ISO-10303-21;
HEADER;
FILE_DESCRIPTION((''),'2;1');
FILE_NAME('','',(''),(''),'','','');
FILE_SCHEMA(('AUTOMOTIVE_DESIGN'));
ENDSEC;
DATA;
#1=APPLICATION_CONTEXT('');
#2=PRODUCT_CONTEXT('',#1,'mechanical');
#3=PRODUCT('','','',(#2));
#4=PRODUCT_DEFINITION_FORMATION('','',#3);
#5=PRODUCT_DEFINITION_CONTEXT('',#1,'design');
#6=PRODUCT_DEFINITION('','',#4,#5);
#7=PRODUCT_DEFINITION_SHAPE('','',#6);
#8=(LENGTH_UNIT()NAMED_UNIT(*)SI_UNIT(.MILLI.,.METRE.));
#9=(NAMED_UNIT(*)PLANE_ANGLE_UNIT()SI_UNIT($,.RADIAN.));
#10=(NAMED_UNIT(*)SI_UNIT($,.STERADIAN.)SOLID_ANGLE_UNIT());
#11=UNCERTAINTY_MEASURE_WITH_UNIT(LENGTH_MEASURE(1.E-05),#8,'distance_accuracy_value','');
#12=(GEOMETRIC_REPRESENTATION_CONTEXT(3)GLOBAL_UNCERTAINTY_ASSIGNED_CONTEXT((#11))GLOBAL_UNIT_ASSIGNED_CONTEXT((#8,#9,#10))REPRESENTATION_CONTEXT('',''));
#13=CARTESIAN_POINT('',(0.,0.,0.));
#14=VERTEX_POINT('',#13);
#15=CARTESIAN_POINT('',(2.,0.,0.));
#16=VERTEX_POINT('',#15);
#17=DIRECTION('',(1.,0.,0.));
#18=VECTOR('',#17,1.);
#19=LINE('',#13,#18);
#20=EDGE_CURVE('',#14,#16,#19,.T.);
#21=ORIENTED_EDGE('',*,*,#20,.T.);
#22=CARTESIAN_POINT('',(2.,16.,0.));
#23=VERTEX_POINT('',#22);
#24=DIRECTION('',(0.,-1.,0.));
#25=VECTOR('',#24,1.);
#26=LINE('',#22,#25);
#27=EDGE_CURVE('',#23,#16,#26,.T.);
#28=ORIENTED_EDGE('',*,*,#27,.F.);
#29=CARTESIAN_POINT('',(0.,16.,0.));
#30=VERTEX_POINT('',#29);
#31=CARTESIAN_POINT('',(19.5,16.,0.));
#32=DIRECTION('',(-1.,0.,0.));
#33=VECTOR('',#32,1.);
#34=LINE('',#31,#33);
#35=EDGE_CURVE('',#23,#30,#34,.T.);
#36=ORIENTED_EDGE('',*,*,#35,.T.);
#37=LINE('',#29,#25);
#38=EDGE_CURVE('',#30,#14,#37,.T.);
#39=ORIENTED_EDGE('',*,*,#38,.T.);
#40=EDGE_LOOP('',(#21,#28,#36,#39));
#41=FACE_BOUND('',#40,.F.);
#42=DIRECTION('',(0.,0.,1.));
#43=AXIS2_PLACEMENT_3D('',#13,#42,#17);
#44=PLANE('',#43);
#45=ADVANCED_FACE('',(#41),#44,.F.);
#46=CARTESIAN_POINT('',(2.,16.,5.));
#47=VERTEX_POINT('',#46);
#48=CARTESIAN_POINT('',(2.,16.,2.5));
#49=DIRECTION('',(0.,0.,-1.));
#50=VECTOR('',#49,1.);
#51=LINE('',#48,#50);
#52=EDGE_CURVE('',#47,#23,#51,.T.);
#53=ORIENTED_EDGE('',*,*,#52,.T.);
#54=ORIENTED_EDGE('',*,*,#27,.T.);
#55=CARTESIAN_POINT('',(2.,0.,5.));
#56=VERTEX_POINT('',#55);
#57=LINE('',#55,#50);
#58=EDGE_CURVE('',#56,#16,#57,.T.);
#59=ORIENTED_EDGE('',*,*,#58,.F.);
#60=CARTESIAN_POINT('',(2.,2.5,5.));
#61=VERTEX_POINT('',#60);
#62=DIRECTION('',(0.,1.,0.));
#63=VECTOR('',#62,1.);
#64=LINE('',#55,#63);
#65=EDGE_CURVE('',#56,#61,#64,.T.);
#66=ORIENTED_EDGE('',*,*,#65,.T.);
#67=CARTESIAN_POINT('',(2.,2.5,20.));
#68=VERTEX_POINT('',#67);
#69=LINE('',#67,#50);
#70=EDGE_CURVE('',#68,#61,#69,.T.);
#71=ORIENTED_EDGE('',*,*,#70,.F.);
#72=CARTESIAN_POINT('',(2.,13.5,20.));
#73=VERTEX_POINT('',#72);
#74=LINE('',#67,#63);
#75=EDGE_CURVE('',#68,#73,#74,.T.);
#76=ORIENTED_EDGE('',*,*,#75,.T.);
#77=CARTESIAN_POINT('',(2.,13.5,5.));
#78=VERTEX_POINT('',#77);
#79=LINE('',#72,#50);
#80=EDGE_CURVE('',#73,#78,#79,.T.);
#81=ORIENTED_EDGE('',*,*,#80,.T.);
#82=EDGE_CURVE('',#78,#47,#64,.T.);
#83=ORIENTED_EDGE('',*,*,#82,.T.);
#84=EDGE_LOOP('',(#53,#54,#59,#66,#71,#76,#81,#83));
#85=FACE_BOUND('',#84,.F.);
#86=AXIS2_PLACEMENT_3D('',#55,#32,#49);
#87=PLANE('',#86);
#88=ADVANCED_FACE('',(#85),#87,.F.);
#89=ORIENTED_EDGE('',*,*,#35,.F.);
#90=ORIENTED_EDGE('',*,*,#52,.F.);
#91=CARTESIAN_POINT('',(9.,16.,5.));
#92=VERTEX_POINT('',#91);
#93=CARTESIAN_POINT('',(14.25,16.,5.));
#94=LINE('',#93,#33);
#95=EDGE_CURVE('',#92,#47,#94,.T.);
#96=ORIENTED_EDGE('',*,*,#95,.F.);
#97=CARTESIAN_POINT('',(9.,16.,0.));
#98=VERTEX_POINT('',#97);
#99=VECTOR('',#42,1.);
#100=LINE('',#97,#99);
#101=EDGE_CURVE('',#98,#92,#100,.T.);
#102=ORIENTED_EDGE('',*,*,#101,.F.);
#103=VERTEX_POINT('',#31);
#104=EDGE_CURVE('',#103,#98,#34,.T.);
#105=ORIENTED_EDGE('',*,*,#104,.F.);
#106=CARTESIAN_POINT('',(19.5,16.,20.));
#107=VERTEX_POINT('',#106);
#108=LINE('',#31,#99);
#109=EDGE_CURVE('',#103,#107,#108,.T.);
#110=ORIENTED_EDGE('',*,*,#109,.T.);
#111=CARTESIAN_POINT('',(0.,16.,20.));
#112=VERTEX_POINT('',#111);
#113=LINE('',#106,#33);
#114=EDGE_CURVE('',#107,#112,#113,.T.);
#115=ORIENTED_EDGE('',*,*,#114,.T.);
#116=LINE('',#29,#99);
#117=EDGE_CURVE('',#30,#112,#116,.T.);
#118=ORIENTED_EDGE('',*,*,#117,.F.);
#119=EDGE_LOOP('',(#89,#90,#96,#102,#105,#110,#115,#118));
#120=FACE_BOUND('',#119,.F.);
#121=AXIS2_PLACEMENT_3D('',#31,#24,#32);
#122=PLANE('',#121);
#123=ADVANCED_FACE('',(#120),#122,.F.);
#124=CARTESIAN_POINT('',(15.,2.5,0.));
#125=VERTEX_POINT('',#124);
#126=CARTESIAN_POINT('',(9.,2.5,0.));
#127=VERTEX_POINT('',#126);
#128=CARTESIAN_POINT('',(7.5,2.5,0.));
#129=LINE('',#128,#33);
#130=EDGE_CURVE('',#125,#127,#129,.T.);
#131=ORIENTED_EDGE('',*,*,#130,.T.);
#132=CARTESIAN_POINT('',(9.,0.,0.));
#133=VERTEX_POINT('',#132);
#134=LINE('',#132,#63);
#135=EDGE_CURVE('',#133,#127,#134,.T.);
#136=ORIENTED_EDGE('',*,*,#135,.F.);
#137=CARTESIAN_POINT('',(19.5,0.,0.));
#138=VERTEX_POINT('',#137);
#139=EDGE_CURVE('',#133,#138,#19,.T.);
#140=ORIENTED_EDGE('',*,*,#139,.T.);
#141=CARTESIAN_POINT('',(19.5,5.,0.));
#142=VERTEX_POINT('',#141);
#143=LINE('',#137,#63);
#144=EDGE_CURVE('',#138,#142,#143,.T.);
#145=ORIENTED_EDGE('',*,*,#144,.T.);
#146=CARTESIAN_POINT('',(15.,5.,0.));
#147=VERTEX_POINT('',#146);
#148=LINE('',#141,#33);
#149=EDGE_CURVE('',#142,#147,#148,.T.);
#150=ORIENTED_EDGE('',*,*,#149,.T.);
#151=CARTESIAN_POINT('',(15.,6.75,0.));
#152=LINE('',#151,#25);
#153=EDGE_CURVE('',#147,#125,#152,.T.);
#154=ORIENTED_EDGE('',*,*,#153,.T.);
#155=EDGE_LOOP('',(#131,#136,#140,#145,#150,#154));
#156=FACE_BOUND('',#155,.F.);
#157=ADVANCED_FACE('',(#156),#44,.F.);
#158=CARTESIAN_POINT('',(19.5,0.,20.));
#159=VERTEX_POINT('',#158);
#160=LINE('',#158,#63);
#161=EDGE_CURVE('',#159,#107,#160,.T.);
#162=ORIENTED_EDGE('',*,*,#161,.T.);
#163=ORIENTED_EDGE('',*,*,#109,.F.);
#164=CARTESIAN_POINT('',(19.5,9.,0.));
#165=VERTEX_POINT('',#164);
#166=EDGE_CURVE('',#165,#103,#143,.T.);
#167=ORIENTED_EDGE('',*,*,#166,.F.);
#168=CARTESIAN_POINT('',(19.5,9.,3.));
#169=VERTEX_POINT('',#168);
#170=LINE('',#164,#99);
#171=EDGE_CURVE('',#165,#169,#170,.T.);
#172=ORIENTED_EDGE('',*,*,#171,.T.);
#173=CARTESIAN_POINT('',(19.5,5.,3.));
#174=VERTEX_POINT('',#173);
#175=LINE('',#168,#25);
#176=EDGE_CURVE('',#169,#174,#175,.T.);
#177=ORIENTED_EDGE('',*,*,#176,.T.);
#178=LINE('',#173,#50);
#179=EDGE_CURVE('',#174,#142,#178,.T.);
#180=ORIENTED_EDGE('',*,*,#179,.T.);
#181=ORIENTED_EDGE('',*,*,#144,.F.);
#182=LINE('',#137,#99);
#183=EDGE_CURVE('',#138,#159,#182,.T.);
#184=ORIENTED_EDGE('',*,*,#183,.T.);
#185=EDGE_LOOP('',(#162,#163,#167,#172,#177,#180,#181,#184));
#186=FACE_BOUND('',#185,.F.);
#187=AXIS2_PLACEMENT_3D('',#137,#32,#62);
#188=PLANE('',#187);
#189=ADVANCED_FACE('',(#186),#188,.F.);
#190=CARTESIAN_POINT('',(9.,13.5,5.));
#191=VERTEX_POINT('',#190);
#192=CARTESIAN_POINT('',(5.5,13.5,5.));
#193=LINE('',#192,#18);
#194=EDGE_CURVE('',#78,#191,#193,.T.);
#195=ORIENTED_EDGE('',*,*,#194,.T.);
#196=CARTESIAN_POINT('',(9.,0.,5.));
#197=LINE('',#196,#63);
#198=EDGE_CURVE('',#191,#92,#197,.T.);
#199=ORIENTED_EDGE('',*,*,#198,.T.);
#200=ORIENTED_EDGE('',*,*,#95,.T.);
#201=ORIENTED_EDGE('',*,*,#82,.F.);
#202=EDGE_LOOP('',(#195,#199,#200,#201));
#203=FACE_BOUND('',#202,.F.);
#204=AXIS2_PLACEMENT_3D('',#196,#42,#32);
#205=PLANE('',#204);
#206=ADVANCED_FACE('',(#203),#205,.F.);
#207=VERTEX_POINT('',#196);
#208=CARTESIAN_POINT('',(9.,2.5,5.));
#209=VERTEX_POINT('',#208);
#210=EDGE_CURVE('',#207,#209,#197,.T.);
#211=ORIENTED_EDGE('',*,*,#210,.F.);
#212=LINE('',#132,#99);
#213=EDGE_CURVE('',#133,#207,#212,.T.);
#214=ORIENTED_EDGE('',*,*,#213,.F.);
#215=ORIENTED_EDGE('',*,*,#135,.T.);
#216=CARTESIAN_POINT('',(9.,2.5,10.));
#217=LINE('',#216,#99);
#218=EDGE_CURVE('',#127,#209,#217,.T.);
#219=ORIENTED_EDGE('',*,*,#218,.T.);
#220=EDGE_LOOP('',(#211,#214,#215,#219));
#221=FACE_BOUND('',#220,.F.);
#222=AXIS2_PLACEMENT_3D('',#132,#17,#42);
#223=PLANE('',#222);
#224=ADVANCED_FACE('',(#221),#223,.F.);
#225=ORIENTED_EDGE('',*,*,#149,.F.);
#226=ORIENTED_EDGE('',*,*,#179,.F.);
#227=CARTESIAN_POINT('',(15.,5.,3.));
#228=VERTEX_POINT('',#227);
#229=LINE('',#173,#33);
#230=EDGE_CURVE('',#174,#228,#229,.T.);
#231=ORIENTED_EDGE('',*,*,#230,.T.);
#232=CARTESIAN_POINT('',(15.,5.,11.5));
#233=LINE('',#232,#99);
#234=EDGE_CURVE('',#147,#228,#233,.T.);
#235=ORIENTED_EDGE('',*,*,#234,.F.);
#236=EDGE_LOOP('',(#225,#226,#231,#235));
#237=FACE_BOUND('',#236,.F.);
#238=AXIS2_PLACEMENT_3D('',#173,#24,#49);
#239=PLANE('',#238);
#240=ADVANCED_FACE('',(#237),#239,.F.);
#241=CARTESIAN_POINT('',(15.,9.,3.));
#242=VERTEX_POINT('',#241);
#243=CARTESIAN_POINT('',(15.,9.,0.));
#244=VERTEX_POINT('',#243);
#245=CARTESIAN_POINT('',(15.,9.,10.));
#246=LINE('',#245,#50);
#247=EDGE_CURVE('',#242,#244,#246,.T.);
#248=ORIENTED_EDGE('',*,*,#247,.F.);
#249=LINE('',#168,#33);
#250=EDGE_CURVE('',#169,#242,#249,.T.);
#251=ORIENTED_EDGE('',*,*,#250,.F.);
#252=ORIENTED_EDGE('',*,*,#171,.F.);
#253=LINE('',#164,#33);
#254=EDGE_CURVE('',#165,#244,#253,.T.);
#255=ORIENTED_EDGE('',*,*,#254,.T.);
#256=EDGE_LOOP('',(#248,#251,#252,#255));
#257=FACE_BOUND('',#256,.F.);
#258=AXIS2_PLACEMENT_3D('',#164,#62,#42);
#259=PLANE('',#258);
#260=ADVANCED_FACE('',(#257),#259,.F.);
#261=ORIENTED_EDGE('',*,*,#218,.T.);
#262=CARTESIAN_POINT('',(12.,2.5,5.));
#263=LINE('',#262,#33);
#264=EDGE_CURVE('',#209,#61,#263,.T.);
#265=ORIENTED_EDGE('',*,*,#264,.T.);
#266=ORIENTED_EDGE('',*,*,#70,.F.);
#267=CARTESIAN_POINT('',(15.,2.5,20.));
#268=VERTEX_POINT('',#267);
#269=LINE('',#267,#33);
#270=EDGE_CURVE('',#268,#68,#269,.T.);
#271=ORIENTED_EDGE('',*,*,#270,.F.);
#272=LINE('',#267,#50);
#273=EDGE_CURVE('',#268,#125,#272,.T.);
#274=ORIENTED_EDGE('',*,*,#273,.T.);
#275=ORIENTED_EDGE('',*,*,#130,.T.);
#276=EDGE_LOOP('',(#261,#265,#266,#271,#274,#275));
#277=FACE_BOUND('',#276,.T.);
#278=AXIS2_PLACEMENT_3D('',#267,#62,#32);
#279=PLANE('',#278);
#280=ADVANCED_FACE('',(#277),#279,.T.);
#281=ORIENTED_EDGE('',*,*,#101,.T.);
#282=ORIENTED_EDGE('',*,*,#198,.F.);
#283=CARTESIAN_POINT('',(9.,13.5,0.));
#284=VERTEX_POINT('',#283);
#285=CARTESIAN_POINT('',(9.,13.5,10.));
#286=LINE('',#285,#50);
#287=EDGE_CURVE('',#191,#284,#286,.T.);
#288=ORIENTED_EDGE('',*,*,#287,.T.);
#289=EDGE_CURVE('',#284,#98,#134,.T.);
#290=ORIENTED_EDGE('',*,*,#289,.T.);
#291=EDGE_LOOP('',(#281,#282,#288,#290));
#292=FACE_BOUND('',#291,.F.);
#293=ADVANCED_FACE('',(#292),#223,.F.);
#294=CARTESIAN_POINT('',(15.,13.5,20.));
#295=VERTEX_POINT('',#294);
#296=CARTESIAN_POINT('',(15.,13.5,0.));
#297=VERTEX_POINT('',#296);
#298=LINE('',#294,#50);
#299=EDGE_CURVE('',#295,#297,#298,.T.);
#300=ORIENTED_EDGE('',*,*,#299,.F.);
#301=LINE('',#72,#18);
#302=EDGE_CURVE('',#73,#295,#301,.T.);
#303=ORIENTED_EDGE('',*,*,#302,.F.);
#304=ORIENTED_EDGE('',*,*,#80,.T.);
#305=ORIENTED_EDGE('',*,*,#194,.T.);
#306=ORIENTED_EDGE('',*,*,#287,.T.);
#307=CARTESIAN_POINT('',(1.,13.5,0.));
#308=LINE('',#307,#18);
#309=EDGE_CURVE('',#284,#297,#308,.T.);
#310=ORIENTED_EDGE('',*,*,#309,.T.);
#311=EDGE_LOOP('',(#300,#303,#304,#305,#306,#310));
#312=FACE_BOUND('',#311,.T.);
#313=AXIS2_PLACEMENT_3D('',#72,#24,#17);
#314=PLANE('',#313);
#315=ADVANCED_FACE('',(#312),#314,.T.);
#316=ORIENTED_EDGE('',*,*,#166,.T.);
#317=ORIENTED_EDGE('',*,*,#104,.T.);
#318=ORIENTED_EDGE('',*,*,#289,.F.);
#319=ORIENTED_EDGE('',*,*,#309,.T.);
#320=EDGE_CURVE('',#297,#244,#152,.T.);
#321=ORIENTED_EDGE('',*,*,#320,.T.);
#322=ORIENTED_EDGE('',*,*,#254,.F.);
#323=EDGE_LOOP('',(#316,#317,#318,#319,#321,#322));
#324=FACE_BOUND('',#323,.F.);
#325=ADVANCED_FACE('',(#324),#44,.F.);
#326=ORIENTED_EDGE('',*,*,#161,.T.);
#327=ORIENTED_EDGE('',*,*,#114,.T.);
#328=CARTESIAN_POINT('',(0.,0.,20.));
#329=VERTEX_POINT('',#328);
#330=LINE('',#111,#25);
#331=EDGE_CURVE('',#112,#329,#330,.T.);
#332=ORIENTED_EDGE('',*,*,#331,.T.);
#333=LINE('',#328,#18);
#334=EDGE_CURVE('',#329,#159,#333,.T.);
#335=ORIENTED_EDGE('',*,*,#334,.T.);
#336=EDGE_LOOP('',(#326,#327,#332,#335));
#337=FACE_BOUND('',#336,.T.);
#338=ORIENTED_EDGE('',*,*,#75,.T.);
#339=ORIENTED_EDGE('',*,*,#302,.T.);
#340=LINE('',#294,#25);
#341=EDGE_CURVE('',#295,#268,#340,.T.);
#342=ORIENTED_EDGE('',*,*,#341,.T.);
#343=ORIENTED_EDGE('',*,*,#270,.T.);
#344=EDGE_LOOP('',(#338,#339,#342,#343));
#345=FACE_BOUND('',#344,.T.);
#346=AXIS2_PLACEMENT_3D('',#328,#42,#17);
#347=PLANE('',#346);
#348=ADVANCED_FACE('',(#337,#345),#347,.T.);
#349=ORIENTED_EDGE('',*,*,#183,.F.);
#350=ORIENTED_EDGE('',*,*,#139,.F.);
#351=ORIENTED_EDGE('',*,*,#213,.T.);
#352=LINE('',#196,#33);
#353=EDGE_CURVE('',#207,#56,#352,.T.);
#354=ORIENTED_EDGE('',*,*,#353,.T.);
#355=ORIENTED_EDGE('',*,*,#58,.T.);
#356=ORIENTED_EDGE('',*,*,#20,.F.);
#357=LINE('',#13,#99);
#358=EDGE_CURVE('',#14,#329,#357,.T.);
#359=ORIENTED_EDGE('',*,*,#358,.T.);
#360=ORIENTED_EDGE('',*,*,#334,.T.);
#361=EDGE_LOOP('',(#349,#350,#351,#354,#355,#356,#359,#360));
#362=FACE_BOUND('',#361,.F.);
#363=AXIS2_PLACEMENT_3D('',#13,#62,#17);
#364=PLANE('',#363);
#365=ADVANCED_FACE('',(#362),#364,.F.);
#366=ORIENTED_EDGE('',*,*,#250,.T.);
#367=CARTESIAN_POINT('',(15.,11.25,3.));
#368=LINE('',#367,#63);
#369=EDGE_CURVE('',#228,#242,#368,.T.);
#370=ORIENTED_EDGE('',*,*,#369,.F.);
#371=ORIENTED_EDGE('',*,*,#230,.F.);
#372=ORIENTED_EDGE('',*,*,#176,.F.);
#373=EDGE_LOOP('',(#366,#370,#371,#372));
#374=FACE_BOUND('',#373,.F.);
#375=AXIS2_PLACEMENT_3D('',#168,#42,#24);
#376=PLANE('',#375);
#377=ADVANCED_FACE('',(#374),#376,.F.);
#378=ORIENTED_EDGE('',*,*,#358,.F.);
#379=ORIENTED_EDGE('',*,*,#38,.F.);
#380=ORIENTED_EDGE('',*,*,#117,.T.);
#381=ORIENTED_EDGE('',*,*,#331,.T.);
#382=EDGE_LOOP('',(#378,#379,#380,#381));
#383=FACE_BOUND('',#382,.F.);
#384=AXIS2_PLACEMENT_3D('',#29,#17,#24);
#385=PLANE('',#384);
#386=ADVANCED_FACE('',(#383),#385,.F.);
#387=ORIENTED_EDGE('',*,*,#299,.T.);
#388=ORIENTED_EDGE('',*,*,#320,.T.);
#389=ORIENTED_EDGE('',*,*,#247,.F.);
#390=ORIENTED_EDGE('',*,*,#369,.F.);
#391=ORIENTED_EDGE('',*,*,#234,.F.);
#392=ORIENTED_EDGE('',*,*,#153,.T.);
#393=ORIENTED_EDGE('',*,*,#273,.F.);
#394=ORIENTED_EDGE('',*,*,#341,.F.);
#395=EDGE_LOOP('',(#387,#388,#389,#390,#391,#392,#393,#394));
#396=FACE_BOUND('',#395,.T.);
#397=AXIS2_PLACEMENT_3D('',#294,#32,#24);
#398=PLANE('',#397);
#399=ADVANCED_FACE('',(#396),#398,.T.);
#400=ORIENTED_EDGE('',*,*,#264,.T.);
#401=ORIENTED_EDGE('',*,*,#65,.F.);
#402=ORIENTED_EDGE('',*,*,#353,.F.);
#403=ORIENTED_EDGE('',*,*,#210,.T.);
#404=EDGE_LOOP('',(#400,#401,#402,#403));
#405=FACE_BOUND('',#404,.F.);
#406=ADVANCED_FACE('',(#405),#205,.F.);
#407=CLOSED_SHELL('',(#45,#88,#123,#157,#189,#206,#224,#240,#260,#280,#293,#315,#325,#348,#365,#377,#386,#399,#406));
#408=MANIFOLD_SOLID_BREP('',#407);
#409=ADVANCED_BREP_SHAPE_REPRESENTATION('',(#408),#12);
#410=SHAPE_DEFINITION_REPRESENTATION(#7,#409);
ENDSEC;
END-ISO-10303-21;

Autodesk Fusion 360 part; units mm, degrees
sketch "Sketch1" plane through (0, 0, 0) normal (0, 0, 1) x (1, 0, 0)
  line L0 (0, 0) -> (19.5, 0)
  line L1 (19.5, 0) -> (19.5, 16)
  line L2 (19.5, 16) -> (0, 16)
  line L3 (0, 16) -> (0, 0)
  dimension "d1" = 19.5
  dimension "d2" = 16
extrude "Extrude1" add sketch "Sketch1" along normal blind 20
sketch "Sketch2" plane through (0, 0, 0) normal (0, -1, 0) x (1, 0, 0)
  line L0 (0, 0) -> (19.5, 0)
  line L1 (19.5, 0) -> (19.5, 20)
  line L2 (19.5, 20) -> (0, 20)
  line L3 (0, 20) -> (0, 0)
  line L4 (2, 0) -> (9, 0)
  line L5 (9, 0) -> (9, 5)
  line L6 (9, 5) -> (2, 5)
  line L7 (2, 5) -> (2, 0)
  dimension "d5" = 2
extrude "Extrude2" cut sketch "Sketch2" against normal blind 47 contours L0 L4 L5 L6 L7
sketch "Sketch3" plane through (0, 0, 20) normal (0, 0, 1) x (-1, 0, 0)
  line L0 (0, -16) -> (0, 0)
  line L1 (0, 0) -> (-19.5, 0)
  line L2 (-19.5, 0) -> (-19.5, -16)
  line L3 (-19.5, -16) -> (0, -16)
  line L4 (5, -8) -> (-24, -8) construction
  line L5 (-2, -13.5) -> (-15, -13.5)
  line L6 (-15, -13.5) -> (-15, -2.5)
  line L7 (-15, -2.5) -> (-2, -2.5)
  line L8 (-2, -2.5) -> (-2, -13.5)
  dimension "d8" = 8
  dimension "d9" = 13
  dimension "d10" = 11
  dimension "d11" = 2
  dimension "d12" = 5.5
extrude "Extrude3" cut sketch "Sketch3" against normal blind 36 contours L5 L6 L7 L8
sketch "Sketch4" plane through (19.5, 0, 0) normal (1, 0, 0) x (0, 1, 0)
  line L0 (0, 0) -> (16, 0)
  line L1 (16, 0) -> (16, 20)
  line L2 (16, 20) -> (0, 20)
  line L3 (0, 20) -> (0, 0)
  line L4 (5, 0) -> (9, 0)
  line L5 (9, 0) -> (9, 3)
  line L6 (9, 3) -> (5, 3)
  line L7 (5, 3) -> (5, 0)
extrude "Extrude4" cut sketch "Sketch4" against normal blind 8 contours L0 L4 L5 L6 L7
